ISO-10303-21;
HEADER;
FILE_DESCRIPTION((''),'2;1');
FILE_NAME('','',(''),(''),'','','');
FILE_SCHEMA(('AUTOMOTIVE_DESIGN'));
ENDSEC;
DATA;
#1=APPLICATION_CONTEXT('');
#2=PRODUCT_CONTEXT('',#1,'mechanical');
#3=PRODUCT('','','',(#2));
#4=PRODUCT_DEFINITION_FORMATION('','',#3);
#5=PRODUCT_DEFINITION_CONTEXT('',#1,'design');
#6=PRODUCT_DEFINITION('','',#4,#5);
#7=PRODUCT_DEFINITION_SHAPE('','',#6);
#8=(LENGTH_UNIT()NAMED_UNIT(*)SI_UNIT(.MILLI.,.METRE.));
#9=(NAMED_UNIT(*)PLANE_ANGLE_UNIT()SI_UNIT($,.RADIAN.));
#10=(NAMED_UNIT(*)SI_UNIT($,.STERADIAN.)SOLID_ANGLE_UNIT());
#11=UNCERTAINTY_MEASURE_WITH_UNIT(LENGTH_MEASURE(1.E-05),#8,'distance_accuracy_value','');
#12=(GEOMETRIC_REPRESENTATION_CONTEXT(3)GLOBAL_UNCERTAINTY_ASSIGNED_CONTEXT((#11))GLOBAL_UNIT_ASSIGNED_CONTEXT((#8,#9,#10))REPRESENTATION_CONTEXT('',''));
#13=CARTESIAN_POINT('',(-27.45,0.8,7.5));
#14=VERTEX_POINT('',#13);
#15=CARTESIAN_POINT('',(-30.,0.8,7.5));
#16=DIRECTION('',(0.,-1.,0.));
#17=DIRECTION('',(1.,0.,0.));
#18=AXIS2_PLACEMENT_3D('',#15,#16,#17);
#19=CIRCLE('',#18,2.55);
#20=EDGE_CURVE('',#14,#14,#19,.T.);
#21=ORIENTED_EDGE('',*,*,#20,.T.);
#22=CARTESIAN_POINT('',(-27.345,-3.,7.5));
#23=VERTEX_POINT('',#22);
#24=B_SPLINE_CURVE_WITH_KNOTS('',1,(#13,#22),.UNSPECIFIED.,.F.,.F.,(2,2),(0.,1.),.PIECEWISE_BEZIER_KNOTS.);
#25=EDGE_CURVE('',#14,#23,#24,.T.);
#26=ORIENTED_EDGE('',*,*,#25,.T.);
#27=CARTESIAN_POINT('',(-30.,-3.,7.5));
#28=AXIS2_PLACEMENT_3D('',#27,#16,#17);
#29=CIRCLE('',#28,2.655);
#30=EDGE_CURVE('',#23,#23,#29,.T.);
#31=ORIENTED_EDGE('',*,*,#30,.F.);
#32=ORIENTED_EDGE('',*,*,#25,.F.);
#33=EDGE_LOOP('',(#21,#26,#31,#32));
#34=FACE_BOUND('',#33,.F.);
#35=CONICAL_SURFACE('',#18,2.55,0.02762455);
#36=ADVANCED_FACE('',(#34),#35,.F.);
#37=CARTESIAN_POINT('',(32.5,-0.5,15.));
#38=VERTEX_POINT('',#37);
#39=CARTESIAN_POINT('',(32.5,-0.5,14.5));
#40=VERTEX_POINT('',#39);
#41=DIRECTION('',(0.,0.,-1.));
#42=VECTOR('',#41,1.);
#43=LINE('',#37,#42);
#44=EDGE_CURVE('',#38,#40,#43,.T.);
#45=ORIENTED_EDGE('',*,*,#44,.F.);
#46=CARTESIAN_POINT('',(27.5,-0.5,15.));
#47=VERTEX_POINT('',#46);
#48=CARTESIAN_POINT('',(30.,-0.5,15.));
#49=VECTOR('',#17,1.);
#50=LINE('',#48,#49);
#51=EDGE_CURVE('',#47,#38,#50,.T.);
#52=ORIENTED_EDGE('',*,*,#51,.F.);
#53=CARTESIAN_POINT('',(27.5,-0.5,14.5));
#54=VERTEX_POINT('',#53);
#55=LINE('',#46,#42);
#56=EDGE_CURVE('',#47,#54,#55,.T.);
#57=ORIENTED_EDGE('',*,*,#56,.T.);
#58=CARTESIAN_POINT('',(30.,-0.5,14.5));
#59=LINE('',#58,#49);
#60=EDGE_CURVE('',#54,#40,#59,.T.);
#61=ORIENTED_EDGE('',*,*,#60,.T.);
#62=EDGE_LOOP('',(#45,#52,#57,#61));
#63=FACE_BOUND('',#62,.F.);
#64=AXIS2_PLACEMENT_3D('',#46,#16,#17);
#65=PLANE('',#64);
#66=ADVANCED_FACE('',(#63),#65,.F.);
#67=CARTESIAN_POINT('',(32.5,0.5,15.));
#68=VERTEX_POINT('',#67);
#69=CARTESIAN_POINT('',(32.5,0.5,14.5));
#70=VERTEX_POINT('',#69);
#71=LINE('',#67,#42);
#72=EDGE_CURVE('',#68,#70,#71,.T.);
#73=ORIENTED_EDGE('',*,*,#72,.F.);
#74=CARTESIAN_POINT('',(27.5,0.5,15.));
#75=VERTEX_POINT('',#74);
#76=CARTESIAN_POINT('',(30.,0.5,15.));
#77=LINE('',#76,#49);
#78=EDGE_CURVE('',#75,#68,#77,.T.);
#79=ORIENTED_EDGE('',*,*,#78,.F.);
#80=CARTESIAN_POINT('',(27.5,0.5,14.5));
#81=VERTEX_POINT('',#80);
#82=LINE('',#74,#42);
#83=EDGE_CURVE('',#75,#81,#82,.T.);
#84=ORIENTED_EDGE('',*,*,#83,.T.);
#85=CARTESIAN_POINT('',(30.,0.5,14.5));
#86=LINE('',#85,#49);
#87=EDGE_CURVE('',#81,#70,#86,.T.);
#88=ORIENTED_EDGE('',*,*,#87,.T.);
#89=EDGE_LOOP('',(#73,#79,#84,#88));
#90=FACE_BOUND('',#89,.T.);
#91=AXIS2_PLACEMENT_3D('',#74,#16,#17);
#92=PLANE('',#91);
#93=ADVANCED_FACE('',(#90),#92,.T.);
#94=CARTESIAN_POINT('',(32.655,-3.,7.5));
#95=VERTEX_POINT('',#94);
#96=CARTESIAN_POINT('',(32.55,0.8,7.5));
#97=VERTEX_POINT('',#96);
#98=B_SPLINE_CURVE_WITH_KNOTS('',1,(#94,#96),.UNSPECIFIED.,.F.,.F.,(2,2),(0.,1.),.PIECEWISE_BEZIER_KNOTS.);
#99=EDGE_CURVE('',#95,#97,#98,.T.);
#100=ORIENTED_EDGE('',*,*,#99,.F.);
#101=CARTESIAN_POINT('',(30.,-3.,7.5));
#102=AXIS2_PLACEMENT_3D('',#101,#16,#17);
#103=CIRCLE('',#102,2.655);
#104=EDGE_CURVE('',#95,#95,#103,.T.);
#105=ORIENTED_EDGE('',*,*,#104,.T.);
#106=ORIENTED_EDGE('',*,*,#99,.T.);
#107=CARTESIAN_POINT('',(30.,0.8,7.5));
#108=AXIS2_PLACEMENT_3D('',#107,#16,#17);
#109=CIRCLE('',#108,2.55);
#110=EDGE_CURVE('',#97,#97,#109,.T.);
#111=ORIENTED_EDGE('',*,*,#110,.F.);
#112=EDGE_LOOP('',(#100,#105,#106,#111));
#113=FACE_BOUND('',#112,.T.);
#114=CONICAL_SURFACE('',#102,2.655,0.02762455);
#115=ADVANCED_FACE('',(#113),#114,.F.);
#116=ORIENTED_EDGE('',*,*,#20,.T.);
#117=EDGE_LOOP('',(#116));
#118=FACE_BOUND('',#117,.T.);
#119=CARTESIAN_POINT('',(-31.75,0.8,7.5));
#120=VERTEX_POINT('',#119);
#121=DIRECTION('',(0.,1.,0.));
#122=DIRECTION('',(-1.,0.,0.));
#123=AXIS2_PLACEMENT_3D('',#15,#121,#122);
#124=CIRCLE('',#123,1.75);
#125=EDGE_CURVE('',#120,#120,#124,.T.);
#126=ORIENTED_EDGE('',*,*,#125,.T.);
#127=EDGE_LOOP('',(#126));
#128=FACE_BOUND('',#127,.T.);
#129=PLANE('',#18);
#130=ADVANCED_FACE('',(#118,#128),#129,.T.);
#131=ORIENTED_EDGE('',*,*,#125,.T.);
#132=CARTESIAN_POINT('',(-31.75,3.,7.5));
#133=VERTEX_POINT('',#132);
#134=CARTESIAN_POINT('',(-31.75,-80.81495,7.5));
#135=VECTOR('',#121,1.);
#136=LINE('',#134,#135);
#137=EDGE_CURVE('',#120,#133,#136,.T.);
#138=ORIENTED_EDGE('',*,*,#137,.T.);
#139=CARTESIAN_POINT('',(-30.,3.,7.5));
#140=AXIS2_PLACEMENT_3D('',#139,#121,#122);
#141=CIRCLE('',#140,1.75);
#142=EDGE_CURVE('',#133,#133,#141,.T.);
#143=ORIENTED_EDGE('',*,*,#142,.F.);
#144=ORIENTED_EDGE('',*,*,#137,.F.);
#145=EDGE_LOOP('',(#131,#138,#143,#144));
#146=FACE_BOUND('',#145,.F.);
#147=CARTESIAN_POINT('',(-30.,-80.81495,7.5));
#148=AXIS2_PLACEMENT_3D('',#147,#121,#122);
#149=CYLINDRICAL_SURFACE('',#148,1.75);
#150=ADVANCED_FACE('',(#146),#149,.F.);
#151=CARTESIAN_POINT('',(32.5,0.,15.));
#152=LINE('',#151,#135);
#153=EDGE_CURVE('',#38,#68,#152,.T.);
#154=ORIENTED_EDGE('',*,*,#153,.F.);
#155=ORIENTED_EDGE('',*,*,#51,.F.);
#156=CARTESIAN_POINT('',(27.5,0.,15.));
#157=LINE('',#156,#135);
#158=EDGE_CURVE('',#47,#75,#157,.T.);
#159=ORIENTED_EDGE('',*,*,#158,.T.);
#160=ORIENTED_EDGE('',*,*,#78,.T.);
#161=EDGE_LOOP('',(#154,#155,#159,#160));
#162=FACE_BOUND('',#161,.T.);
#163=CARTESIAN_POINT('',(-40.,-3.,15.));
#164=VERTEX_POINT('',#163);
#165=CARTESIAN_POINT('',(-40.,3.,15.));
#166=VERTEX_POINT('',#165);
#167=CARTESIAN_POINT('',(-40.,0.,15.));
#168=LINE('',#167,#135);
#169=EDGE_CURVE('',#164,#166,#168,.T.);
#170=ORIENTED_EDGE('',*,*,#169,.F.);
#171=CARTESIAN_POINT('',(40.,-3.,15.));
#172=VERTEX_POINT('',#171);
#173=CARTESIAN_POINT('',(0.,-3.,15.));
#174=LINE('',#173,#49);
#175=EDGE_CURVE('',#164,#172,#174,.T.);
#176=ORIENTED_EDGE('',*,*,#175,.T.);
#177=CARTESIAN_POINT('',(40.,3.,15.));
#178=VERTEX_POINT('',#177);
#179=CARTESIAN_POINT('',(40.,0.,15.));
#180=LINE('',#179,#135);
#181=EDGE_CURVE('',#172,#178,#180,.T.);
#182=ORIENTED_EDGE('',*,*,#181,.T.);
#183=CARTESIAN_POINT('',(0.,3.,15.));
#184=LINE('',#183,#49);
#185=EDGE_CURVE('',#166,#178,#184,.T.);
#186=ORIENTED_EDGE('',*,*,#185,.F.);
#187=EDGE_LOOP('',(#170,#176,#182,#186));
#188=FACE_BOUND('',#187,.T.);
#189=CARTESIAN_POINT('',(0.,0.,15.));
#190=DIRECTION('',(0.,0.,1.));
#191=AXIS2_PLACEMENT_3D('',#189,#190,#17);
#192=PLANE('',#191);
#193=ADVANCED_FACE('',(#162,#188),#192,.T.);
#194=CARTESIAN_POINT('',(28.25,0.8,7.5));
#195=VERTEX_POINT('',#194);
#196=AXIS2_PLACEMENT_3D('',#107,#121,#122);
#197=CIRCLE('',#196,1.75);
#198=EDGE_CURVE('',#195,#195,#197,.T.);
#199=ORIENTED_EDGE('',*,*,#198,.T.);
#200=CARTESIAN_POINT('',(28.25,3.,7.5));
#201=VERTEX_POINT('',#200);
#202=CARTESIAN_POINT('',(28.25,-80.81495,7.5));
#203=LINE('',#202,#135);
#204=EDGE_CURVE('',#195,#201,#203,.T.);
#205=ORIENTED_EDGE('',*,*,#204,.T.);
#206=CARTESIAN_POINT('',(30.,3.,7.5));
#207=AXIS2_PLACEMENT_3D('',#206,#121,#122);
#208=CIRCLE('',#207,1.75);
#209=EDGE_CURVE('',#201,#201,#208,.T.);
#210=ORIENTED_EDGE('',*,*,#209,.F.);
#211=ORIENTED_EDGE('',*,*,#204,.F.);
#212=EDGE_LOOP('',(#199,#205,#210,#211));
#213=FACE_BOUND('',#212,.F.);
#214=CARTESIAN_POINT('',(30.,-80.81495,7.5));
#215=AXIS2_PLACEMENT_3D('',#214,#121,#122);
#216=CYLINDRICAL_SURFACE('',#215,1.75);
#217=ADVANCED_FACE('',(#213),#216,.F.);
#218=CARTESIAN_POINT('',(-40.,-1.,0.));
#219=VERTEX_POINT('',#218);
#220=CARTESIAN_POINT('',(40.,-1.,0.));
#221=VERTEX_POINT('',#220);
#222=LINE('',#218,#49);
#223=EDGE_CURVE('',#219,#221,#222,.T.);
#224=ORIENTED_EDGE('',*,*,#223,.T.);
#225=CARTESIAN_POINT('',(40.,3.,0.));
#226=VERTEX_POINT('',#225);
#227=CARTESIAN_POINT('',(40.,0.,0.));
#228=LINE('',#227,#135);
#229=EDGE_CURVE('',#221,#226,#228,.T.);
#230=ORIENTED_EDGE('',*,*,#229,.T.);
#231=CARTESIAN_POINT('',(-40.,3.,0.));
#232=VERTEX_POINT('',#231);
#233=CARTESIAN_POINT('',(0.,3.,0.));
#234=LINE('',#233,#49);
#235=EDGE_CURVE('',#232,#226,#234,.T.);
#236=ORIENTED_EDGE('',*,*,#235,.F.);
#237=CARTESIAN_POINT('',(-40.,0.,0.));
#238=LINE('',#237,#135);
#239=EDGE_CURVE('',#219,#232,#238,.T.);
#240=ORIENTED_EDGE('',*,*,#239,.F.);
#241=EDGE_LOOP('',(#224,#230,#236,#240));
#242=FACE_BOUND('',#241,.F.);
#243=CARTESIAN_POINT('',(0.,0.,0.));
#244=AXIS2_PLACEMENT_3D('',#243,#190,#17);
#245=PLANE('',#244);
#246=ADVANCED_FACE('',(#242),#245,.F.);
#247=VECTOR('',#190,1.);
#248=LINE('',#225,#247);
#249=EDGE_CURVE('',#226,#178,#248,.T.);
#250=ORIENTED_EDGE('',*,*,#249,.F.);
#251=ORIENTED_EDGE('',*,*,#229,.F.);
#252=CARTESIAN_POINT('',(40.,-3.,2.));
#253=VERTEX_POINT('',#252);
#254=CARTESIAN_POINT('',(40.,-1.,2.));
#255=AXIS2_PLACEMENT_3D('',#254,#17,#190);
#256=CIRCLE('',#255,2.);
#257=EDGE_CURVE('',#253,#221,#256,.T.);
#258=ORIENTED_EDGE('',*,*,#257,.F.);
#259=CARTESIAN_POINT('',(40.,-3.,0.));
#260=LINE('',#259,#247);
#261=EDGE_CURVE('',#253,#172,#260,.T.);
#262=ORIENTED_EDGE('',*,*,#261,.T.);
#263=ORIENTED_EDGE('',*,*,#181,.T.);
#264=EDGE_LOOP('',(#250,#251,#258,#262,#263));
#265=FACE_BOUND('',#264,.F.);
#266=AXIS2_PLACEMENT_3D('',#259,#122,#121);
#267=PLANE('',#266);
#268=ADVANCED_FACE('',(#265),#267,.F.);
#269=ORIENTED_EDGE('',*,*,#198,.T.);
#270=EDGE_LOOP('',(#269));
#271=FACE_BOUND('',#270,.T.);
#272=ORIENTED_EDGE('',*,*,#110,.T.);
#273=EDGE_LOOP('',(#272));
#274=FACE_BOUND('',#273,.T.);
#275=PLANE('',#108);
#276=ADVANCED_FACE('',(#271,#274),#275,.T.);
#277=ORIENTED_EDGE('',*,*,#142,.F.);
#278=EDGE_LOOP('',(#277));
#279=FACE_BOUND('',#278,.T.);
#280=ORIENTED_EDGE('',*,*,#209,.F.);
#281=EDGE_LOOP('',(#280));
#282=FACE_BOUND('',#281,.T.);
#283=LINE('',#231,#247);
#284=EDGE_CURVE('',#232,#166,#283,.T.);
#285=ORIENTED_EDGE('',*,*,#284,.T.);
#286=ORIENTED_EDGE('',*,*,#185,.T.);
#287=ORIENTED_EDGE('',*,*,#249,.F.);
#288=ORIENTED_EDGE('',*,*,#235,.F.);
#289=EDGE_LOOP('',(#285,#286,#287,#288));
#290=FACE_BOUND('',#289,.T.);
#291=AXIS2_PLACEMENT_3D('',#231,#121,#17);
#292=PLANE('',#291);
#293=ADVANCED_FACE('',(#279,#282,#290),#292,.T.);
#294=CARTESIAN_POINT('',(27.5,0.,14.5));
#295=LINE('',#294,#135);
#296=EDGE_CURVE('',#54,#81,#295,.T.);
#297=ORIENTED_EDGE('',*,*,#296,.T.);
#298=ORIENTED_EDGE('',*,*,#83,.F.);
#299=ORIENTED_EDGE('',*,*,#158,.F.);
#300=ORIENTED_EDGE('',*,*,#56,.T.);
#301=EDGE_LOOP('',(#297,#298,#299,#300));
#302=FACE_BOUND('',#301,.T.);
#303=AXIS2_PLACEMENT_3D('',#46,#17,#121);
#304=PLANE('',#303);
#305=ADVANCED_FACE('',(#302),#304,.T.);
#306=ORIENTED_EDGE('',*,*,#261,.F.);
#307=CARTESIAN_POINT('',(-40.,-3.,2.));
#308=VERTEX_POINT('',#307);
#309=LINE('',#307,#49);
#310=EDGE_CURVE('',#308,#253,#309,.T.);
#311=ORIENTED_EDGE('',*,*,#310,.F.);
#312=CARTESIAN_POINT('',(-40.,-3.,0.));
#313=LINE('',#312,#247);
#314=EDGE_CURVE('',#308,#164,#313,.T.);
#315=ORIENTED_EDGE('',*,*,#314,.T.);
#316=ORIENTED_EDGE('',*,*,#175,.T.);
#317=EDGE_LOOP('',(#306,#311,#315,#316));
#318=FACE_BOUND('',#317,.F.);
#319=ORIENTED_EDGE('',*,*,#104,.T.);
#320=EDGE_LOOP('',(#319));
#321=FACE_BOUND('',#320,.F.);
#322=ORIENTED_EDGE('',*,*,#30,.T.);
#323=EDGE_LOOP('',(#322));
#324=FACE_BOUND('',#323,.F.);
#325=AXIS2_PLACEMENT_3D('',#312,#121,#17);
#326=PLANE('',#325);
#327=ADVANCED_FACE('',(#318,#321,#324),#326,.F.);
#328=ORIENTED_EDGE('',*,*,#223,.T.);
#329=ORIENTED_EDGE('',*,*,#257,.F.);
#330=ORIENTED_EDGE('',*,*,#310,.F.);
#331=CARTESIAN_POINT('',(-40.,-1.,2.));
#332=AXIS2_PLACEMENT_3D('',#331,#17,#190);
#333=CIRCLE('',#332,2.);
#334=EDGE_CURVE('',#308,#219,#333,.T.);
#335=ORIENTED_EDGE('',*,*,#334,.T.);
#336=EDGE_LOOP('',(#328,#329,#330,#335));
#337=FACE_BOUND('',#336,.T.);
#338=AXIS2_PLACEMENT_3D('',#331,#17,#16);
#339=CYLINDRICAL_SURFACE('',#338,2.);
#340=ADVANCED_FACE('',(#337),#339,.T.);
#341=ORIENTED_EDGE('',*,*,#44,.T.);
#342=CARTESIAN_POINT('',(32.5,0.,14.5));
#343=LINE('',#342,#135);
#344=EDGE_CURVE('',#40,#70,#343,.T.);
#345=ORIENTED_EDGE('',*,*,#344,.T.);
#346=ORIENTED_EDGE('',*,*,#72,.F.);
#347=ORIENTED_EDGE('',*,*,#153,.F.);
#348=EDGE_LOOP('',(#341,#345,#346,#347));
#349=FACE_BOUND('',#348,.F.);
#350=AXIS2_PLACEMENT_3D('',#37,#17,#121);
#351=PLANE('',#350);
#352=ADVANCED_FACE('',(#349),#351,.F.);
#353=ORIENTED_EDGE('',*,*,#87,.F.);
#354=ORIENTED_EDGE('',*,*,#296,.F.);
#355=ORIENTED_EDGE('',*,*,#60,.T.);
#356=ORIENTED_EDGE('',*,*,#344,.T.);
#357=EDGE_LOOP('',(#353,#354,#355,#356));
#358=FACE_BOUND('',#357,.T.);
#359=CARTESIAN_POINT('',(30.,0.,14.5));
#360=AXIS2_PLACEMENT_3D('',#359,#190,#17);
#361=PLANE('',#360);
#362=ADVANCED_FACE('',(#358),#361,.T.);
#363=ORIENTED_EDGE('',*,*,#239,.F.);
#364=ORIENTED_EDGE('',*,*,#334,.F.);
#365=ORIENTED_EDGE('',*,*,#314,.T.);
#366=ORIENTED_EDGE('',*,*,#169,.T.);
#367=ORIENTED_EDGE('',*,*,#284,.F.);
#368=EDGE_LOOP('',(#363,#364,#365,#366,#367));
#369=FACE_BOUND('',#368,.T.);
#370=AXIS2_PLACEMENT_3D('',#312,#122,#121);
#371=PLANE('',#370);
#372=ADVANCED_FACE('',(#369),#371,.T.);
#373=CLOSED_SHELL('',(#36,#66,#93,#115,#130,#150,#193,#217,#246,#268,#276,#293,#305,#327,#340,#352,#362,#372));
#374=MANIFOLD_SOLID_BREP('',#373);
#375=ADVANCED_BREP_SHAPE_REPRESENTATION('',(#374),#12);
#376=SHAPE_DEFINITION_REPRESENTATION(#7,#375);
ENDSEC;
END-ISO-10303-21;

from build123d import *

# Parameters (mm, degrees)
F0_W      = 80
F0_H      = 6
F1_DEPTH  = 15
F4_R      = 2.55
F2_R      = 2.655
F7_D      = 3.5
F8_R      = 2
F9_W      = 5
F9_H      = 1
F10_DEPTH = 0.5


with BuildPart() as f1:
    # F0 (on Top) → F1 (new body)
    with BuildSketch(Plane.XY):
        Rectangle(F0_W, F0_H)
    extrude(amount=F1_DEPTH)

    # F4 (on offset) → F5 section 0
    with BuildSketch(Plane.XZ.offset(-0.8)):
        with Locations((-30, 7.5)):
            Circle(F4_R)
    # F2 (on face) → F5 section 1
    with BuildSketch(Plane.XZ.offset(3)):
        with Locations((-30, 7.5)):
            Circle(F2_R)
    loft(mode=Mode.SUBTRACT)

    # F2 (on face) → F6 section 0
    with BuildSketch(Plane.XZ.offset(3)):
        with Locations((30, 7.5)):
            Circle(F2_R)
    # F4 (on offset) → F6 section 1
    with BuildSketch(Plane.XZ.offset(-0.8)):
        with Locations((30, 7.5)):
            Circle(F4_R)
    loft(mode=Mode.SUBTRACT)

    # F7 (through all)
    with Locations(Plane.XZ.offset(-0.8)):
        with Locations((30, 7.5), (-30, 7.5)):
            Hole(F7_D / 2)

    # F8
    f8_edges = [f1.edges().sort_by_distance(p)[0] for p in [
        (0, -3, 0),
    ]]
    fillet(f8_edges, radius=F8_R)

    # F9 (on face) → F10 (cut)
    with BuildSketch(Plane.XY.offset(15)):
        with Locations((30, 0)):
            Rectangle(F9_W, F9_H)
    extrude(amount=-F10_DEPTH, mode=Mode.SUBTRACT)


solid = f1.part
